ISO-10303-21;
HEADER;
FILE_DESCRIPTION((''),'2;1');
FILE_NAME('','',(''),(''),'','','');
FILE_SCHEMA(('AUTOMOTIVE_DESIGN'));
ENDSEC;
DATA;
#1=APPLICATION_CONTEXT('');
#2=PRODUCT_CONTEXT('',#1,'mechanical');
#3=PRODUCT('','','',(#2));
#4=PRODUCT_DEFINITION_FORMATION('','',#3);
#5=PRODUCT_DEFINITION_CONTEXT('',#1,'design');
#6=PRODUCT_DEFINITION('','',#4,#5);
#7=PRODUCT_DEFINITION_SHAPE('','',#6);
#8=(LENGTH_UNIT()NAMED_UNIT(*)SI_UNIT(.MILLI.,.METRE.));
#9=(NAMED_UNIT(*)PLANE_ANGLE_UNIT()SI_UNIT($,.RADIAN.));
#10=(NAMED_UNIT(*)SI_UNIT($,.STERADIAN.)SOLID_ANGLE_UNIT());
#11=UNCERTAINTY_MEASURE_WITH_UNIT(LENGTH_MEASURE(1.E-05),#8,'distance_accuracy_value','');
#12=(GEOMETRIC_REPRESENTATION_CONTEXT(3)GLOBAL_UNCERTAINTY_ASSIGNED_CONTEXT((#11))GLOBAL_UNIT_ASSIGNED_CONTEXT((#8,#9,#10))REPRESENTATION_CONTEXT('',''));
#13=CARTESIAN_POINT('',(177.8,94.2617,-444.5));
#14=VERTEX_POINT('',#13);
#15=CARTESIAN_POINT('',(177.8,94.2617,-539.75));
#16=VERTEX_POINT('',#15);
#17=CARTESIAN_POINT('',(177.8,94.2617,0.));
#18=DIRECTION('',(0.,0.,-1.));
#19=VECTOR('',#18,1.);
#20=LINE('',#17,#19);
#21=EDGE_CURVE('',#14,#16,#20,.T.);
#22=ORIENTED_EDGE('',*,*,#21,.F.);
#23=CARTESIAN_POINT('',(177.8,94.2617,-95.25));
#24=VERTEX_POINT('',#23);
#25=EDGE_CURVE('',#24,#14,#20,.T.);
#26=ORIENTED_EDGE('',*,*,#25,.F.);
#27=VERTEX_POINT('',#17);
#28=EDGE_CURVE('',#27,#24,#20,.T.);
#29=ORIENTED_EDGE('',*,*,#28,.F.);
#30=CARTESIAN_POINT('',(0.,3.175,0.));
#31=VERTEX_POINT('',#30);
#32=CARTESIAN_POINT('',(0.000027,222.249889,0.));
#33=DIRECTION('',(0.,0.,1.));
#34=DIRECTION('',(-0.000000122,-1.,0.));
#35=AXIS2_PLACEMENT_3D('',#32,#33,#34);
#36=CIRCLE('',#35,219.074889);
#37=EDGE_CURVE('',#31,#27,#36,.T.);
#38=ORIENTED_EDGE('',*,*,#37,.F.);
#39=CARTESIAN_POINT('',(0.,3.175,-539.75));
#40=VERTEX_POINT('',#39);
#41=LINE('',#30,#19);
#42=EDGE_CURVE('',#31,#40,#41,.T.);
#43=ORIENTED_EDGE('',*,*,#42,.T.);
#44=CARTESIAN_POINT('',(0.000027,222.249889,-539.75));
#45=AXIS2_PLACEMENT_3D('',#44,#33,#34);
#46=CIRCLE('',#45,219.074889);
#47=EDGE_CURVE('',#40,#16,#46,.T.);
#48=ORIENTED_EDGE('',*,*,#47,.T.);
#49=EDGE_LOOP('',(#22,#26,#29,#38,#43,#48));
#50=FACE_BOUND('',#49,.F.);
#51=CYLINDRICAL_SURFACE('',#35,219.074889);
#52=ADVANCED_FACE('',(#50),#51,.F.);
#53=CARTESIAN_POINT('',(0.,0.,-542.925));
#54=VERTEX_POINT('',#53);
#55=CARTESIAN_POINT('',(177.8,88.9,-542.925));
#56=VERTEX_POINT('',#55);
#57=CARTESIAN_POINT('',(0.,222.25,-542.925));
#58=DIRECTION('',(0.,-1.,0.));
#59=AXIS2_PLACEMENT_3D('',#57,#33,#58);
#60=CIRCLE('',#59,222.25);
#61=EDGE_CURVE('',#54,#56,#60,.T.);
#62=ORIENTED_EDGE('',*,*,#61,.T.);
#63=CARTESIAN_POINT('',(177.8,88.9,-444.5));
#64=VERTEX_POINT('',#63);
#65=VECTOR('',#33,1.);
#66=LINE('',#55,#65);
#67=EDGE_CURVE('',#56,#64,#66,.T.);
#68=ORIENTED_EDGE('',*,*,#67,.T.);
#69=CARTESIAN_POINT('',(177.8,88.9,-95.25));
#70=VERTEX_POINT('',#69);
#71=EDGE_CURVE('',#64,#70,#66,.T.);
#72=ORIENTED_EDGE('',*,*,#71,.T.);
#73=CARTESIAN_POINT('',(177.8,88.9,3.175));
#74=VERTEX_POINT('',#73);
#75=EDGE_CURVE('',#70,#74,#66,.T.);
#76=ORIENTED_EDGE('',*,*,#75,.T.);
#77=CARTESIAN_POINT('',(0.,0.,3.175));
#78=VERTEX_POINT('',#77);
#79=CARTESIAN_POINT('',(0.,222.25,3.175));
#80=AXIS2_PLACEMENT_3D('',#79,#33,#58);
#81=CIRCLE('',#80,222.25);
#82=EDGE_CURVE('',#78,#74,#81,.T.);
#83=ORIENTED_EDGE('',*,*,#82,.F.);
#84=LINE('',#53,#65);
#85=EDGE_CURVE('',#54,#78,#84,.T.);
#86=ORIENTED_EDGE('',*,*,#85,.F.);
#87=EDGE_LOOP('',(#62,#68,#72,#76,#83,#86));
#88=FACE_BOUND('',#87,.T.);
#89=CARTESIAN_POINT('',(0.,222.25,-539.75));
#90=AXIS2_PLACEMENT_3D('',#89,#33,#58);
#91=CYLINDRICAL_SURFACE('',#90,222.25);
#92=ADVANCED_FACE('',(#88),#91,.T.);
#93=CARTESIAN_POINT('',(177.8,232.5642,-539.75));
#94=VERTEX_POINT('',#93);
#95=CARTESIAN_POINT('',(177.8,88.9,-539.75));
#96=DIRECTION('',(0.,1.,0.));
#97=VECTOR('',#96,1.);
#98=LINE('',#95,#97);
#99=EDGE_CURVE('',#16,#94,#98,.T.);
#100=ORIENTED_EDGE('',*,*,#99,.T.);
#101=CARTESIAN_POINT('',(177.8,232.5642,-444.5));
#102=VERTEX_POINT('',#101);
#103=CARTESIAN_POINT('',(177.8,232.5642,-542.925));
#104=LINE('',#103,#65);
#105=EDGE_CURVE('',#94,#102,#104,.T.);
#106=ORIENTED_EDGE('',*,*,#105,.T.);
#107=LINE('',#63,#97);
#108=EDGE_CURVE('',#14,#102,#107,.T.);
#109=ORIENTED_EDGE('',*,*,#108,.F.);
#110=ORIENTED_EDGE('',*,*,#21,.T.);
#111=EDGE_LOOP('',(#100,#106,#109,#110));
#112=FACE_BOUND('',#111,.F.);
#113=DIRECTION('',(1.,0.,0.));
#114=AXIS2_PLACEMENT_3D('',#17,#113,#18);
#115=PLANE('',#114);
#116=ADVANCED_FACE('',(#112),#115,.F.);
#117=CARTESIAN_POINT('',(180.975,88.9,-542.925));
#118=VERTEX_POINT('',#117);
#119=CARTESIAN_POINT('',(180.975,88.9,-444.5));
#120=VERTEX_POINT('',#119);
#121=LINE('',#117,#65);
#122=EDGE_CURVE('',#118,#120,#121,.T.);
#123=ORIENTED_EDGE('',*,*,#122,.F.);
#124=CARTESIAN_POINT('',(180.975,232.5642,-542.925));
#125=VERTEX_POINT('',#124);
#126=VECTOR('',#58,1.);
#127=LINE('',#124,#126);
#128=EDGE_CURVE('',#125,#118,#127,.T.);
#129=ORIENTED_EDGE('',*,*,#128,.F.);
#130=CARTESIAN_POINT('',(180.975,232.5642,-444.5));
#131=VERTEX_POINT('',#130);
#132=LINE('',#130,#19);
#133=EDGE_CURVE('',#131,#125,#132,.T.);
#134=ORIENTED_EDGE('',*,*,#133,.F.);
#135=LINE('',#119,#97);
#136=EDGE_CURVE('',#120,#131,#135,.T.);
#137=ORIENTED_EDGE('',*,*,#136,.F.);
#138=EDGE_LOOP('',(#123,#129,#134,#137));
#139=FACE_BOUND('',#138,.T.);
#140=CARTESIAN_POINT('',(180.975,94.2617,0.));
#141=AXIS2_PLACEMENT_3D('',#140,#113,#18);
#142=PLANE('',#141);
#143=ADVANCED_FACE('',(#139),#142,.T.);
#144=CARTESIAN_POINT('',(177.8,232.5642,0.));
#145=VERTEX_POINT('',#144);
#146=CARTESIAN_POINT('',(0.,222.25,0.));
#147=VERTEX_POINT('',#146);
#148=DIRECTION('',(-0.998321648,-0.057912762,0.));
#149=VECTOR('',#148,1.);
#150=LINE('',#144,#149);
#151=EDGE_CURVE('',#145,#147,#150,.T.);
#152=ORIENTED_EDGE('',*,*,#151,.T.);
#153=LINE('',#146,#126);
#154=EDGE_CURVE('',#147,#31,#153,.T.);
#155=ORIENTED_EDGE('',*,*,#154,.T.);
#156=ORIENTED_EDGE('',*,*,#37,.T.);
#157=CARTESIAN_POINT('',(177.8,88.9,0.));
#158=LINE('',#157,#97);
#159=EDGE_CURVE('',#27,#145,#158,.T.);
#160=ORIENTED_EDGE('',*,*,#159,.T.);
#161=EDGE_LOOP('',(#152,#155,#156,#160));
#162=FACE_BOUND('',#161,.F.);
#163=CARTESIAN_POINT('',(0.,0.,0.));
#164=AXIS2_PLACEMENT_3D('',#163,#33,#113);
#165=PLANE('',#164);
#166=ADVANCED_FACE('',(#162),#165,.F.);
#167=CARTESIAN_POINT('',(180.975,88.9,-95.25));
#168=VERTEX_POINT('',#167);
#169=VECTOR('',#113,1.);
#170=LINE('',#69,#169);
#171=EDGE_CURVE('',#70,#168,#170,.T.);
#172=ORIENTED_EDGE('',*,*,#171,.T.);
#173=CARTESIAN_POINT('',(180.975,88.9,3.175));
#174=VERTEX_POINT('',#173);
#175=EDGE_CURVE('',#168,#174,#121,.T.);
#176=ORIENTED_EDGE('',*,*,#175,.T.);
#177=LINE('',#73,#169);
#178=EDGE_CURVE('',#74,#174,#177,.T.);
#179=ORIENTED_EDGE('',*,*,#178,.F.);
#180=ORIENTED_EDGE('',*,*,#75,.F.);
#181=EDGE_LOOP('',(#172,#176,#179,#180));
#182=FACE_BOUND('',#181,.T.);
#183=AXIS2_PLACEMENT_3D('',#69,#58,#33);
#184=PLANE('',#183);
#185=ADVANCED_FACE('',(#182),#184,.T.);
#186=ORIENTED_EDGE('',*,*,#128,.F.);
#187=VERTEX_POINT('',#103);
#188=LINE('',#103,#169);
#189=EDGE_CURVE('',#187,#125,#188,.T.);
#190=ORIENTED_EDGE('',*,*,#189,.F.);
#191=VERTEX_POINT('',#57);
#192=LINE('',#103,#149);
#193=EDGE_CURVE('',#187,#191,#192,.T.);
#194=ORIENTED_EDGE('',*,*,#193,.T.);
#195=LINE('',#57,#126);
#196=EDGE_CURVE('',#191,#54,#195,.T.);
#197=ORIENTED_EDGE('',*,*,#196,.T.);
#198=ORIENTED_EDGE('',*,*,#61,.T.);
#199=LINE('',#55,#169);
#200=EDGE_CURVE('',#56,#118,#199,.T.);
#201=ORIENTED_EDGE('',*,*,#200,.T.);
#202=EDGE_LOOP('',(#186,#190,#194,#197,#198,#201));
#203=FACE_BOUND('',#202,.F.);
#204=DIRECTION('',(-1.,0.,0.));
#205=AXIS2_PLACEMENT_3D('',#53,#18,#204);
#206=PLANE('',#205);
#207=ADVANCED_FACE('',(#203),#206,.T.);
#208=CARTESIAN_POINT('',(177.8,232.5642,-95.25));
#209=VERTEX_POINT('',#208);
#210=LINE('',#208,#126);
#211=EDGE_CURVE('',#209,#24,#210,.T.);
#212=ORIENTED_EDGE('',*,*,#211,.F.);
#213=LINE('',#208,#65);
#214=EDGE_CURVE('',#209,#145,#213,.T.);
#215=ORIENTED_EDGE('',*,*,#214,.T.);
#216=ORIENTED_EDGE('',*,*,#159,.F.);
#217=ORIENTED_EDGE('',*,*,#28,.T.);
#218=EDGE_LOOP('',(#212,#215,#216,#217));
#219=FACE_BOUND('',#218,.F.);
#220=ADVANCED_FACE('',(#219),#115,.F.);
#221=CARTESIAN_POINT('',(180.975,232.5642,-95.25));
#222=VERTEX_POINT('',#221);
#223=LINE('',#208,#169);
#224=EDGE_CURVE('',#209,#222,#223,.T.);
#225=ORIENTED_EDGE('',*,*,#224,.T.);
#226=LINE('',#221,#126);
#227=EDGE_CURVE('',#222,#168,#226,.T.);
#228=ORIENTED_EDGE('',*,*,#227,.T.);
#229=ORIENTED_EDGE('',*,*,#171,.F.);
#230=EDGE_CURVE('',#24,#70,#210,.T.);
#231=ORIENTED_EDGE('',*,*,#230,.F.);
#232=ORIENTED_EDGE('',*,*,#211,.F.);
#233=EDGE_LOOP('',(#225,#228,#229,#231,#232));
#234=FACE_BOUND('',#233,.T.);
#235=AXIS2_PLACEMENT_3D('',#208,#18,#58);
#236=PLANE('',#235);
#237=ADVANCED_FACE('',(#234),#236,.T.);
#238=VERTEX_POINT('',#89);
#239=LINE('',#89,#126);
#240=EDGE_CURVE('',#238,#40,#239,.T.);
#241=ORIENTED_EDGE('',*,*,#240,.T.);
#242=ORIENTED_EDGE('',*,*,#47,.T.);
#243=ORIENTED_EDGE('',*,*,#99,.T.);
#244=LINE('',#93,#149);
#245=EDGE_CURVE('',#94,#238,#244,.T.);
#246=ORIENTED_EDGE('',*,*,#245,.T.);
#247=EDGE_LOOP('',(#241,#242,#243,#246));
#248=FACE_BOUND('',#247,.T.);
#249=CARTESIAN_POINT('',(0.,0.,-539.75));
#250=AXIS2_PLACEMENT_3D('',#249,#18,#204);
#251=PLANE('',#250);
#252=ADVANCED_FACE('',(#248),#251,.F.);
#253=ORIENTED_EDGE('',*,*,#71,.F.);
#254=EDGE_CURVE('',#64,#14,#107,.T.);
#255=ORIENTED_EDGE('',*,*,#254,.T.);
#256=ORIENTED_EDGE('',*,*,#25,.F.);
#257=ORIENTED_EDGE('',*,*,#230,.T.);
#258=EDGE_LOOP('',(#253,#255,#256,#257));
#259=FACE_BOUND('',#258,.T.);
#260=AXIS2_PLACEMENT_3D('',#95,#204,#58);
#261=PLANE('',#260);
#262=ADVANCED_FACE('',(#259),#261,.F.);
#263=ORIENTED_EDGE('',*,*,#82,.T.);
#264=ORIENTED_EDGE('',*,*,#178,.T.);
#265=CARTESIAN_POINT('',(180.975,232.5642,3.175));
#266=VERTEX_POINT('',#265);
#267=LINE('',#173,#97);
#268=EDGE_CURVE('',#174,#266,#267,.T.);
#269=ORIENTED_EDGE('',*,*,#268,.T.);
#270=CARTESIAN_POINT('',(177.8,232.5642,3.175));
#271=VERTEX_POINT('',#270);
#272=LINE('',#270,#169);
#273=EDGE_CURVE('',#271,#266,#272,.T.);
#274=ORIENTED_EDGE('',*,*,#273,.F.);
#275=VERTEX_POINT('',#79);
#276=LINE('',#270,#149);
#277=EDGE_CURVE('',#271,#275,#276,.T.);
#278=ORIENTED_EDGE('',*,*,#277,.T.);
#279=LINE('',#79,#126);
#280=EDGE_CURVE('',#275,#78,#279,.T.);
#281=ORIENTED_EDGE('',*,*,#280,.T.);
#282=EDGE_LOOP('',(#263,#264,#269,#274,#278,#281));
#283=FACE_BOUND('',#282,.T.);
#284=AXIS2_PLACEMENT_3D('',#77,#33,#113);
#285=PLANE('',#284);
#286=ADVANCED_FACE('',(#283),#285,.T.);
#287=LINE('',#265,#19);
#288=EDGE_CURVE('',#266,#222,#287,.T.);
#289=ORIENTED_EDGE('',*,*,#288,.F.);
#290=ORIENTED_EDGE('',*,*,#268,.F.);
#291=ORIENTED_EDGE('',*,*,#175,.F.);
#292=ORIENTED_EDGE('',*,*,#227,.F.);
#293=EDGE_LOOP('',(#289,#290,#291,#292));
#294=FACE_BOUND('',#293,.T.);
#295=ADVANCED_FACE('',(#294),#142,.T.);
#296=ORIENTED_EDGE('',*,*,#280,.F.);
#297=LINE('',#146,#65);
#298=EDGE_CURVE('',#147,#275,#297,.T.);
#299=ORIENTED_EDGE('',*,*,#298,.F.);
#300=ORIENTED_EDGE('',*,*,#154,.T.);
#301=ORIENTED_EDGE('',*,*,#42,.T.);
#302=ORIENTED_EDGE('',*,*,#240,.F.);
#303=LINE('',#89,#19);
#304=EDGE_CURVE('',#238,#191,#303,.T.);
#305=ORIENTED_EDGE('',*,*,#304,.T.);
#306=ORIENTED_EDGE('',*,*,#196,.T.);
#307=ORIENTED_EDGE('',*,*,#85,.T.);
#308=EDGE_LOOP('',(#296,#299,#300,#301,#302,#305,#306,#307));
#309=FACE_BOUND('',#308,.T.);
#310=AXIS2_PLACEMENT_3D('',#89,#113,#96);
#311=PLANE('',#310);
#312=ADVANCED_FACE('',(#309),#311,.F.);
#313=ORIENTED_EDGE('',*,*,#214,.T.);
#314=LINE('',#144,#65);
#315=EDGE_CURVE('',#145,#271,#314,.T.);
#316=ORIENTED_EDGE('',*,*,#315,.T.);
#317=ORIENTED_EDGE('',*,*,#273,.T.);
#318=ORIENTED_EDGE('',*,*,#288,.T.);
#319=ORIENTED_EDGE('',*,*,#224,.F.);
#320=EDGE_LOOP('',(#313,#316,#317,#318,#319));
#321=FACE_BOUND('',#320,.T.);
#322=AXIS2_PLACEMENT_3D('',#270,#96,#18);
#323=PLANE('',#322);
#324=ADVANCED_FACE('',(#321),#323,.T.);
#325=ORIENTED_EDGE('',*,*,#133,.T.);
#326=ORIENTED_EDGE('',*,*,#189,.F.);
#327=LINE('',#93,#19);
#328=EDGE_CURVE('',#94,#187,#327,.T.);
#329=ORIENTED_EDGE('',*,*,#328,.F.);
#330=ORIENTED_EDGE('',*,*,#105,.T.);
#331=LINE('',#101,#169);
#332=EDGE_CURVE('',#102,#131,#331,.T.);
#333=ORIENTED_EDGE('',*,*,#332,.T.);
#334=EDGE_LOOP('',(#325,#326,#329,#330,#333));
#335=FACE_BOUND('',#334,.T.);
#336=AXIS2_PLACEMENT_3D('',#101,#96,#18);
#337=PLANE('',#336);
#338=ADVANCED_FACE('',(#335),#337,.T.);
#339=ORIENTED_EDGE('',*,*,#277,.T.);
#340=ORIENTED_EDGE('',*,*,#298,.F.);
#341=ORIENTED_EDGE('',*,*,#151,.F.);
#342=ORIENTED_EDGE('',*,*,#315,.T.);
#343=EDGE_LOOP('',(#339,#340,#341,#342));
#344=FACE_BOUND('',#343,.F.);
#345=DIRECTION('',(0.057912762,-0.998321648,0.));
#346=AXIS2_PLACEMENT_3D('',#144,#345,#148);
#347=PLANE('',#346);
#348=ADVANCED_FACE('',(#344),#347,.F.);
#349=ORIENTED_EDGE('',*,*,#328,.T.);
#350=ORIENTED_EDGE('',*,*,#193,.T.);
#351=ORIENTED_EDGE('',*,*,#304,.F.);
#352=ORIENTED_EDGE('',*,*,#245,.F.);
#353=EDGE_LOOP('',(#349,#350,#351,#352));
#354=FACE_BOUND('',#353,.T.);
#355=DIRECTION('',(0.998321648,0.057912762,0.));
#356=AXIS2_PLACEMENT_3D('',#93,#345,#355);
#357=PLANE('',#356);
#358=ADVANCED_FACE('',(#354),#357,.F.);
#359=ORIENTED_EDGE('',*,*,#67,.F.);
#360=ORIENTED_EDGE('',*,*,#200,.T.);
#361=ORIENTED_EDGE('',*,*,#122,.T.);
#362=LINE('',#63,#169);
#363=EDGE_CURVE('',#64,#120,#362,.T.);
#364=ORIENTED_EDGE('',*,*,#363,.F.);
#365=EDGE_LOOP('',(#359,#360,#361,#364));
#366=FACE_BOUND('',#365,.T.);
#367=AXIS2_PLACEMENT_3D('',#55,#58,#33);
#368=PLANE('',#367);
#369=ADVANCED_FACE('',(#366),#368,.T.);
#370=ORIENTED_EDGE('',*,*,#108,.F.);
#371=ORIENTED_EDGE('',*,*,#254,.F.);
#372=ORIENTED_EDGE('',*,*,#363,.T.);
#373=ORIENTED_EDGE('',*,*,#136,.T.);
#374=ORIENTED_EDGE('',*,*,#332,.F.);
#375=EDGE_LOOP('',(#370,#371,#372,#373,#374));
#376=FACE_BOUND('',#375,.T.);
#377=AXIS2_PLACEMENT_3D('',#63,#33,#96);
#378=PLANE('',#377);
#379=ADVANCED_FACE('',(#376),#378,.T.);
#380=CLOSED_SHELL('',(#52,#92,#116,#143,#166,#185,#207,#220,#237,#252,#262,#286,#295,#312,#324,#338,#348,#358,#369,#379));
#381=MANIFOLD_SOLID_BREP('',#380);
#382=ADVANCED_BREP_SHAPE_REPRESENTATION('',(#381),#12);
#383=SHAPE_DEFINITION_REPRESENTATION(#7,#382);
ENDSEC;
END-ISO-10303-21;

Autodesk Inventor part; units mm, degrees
ref_plane "YZ Plane" through (0, 0, 0) normal (1, 0, 0) x (0, 1, 0)
ref_plane "XZ Plane" through (0, 0, 0) normal (0, 1, 0) x (-1, 0, 0)
ref_plane "XY Plane" through (0, 0, 0) normal (0, 0, 1) x (1, 0, 0)
sketch "Sketch1" plane through (0, 0, 0) normal (0, 0, 1) x (1, 0, 0)
  arc A0 (0, 0) -> (177.8, 88.9) centre (0, 222.25) ccw
  line L0 (0, 0) -> (177.8, 0) construction
  arc A1 (0, 3.175) -> (177.8, 94.2617) centre (0, 222.25) ccw
  line L1 (0, 3.175) -> (0, 0)
  line L2 (177.8, 88.9) -> (177.8, 94.2617)
  dimension "d0" = 222.25
  dimension "d7" = 3.175
  dimension "d9" = 3.175
  dimension "d12" = 177.8
  dimension "d13" = 177.8
extrude "Extrusion1" add sketch "Sketch1" against normal blind 539.75
sketch "Sketch2" plane through (0, 0, 0) normal (0, 0, 1) x (1, 0, 0)
  arc A0 (0, 0) -> (177.8, 88.9) centre (0, 222.25) ccw projected
  line L0 (177.8, 88.9) -> (177.8, 232.5642)
  line L1 (177.8, 232.5642) -> (0, 222.25)
  line L2 (0, 222.25) -> (0, 0)
  dimension "d14" = 93.32
  dimension "d15" = 0
extrude "Extrusion2" add sketch "Sketch2" along normal blind 3.175
ref_plane "Work Plane1" through (0, 0, -269.875) normal (0, 0, -1) x (-1, 0, 0)
mirror "Mirror1" about plane through (0, 0, -269.875) normal (0, 0, -1) of "Extrusion2"
sketch "Sketch3" plane through (177.8, 94.2617, 0) normal (1, 0, 0) x (0, 0, -1)
  line L0 (542.925, -5.3617) -> (-3.175, -5.3617) projected
  line L1 (-3.175, 138.3025) -> (95.25, 138.3025)
  line L2 (95.25, 138.3025) -> (95.25, -5.3617)
  line L3 (95.25, -5.3617) -> (-3.175, -5.3617)
  line L4 (-3.175, -5.3617) -> (-3.175, 138.3025)
  line L5 (0, 138.3025) -> (-3.175, 138.3025) projected
  line L6 (-3.175, -5.3617) -> (-3.175, 138.3025) projected
  line L7 (542.925, -5.3617) -> (444.5, -5.3617)
  line L8 (444.5, -5.3617) -> (444.5, 138.3025)
  line L9 (444.5, 138.3025) -> (542.925, 138.3025)
  line L10 (542.925, 138.3025) -> (542.925, -5.3617)
  line L11 (539.75, 138.3025) -> (542.925, 138.3025) projected
  point P0 (0, -94.2617)
  dimension "d19" = 98.425
  dimension "d20" = 98.425
extrude "Extrusion3" add sketch "Sketch3" along normal blind 3.175
properties material "Aluminum 6061"
